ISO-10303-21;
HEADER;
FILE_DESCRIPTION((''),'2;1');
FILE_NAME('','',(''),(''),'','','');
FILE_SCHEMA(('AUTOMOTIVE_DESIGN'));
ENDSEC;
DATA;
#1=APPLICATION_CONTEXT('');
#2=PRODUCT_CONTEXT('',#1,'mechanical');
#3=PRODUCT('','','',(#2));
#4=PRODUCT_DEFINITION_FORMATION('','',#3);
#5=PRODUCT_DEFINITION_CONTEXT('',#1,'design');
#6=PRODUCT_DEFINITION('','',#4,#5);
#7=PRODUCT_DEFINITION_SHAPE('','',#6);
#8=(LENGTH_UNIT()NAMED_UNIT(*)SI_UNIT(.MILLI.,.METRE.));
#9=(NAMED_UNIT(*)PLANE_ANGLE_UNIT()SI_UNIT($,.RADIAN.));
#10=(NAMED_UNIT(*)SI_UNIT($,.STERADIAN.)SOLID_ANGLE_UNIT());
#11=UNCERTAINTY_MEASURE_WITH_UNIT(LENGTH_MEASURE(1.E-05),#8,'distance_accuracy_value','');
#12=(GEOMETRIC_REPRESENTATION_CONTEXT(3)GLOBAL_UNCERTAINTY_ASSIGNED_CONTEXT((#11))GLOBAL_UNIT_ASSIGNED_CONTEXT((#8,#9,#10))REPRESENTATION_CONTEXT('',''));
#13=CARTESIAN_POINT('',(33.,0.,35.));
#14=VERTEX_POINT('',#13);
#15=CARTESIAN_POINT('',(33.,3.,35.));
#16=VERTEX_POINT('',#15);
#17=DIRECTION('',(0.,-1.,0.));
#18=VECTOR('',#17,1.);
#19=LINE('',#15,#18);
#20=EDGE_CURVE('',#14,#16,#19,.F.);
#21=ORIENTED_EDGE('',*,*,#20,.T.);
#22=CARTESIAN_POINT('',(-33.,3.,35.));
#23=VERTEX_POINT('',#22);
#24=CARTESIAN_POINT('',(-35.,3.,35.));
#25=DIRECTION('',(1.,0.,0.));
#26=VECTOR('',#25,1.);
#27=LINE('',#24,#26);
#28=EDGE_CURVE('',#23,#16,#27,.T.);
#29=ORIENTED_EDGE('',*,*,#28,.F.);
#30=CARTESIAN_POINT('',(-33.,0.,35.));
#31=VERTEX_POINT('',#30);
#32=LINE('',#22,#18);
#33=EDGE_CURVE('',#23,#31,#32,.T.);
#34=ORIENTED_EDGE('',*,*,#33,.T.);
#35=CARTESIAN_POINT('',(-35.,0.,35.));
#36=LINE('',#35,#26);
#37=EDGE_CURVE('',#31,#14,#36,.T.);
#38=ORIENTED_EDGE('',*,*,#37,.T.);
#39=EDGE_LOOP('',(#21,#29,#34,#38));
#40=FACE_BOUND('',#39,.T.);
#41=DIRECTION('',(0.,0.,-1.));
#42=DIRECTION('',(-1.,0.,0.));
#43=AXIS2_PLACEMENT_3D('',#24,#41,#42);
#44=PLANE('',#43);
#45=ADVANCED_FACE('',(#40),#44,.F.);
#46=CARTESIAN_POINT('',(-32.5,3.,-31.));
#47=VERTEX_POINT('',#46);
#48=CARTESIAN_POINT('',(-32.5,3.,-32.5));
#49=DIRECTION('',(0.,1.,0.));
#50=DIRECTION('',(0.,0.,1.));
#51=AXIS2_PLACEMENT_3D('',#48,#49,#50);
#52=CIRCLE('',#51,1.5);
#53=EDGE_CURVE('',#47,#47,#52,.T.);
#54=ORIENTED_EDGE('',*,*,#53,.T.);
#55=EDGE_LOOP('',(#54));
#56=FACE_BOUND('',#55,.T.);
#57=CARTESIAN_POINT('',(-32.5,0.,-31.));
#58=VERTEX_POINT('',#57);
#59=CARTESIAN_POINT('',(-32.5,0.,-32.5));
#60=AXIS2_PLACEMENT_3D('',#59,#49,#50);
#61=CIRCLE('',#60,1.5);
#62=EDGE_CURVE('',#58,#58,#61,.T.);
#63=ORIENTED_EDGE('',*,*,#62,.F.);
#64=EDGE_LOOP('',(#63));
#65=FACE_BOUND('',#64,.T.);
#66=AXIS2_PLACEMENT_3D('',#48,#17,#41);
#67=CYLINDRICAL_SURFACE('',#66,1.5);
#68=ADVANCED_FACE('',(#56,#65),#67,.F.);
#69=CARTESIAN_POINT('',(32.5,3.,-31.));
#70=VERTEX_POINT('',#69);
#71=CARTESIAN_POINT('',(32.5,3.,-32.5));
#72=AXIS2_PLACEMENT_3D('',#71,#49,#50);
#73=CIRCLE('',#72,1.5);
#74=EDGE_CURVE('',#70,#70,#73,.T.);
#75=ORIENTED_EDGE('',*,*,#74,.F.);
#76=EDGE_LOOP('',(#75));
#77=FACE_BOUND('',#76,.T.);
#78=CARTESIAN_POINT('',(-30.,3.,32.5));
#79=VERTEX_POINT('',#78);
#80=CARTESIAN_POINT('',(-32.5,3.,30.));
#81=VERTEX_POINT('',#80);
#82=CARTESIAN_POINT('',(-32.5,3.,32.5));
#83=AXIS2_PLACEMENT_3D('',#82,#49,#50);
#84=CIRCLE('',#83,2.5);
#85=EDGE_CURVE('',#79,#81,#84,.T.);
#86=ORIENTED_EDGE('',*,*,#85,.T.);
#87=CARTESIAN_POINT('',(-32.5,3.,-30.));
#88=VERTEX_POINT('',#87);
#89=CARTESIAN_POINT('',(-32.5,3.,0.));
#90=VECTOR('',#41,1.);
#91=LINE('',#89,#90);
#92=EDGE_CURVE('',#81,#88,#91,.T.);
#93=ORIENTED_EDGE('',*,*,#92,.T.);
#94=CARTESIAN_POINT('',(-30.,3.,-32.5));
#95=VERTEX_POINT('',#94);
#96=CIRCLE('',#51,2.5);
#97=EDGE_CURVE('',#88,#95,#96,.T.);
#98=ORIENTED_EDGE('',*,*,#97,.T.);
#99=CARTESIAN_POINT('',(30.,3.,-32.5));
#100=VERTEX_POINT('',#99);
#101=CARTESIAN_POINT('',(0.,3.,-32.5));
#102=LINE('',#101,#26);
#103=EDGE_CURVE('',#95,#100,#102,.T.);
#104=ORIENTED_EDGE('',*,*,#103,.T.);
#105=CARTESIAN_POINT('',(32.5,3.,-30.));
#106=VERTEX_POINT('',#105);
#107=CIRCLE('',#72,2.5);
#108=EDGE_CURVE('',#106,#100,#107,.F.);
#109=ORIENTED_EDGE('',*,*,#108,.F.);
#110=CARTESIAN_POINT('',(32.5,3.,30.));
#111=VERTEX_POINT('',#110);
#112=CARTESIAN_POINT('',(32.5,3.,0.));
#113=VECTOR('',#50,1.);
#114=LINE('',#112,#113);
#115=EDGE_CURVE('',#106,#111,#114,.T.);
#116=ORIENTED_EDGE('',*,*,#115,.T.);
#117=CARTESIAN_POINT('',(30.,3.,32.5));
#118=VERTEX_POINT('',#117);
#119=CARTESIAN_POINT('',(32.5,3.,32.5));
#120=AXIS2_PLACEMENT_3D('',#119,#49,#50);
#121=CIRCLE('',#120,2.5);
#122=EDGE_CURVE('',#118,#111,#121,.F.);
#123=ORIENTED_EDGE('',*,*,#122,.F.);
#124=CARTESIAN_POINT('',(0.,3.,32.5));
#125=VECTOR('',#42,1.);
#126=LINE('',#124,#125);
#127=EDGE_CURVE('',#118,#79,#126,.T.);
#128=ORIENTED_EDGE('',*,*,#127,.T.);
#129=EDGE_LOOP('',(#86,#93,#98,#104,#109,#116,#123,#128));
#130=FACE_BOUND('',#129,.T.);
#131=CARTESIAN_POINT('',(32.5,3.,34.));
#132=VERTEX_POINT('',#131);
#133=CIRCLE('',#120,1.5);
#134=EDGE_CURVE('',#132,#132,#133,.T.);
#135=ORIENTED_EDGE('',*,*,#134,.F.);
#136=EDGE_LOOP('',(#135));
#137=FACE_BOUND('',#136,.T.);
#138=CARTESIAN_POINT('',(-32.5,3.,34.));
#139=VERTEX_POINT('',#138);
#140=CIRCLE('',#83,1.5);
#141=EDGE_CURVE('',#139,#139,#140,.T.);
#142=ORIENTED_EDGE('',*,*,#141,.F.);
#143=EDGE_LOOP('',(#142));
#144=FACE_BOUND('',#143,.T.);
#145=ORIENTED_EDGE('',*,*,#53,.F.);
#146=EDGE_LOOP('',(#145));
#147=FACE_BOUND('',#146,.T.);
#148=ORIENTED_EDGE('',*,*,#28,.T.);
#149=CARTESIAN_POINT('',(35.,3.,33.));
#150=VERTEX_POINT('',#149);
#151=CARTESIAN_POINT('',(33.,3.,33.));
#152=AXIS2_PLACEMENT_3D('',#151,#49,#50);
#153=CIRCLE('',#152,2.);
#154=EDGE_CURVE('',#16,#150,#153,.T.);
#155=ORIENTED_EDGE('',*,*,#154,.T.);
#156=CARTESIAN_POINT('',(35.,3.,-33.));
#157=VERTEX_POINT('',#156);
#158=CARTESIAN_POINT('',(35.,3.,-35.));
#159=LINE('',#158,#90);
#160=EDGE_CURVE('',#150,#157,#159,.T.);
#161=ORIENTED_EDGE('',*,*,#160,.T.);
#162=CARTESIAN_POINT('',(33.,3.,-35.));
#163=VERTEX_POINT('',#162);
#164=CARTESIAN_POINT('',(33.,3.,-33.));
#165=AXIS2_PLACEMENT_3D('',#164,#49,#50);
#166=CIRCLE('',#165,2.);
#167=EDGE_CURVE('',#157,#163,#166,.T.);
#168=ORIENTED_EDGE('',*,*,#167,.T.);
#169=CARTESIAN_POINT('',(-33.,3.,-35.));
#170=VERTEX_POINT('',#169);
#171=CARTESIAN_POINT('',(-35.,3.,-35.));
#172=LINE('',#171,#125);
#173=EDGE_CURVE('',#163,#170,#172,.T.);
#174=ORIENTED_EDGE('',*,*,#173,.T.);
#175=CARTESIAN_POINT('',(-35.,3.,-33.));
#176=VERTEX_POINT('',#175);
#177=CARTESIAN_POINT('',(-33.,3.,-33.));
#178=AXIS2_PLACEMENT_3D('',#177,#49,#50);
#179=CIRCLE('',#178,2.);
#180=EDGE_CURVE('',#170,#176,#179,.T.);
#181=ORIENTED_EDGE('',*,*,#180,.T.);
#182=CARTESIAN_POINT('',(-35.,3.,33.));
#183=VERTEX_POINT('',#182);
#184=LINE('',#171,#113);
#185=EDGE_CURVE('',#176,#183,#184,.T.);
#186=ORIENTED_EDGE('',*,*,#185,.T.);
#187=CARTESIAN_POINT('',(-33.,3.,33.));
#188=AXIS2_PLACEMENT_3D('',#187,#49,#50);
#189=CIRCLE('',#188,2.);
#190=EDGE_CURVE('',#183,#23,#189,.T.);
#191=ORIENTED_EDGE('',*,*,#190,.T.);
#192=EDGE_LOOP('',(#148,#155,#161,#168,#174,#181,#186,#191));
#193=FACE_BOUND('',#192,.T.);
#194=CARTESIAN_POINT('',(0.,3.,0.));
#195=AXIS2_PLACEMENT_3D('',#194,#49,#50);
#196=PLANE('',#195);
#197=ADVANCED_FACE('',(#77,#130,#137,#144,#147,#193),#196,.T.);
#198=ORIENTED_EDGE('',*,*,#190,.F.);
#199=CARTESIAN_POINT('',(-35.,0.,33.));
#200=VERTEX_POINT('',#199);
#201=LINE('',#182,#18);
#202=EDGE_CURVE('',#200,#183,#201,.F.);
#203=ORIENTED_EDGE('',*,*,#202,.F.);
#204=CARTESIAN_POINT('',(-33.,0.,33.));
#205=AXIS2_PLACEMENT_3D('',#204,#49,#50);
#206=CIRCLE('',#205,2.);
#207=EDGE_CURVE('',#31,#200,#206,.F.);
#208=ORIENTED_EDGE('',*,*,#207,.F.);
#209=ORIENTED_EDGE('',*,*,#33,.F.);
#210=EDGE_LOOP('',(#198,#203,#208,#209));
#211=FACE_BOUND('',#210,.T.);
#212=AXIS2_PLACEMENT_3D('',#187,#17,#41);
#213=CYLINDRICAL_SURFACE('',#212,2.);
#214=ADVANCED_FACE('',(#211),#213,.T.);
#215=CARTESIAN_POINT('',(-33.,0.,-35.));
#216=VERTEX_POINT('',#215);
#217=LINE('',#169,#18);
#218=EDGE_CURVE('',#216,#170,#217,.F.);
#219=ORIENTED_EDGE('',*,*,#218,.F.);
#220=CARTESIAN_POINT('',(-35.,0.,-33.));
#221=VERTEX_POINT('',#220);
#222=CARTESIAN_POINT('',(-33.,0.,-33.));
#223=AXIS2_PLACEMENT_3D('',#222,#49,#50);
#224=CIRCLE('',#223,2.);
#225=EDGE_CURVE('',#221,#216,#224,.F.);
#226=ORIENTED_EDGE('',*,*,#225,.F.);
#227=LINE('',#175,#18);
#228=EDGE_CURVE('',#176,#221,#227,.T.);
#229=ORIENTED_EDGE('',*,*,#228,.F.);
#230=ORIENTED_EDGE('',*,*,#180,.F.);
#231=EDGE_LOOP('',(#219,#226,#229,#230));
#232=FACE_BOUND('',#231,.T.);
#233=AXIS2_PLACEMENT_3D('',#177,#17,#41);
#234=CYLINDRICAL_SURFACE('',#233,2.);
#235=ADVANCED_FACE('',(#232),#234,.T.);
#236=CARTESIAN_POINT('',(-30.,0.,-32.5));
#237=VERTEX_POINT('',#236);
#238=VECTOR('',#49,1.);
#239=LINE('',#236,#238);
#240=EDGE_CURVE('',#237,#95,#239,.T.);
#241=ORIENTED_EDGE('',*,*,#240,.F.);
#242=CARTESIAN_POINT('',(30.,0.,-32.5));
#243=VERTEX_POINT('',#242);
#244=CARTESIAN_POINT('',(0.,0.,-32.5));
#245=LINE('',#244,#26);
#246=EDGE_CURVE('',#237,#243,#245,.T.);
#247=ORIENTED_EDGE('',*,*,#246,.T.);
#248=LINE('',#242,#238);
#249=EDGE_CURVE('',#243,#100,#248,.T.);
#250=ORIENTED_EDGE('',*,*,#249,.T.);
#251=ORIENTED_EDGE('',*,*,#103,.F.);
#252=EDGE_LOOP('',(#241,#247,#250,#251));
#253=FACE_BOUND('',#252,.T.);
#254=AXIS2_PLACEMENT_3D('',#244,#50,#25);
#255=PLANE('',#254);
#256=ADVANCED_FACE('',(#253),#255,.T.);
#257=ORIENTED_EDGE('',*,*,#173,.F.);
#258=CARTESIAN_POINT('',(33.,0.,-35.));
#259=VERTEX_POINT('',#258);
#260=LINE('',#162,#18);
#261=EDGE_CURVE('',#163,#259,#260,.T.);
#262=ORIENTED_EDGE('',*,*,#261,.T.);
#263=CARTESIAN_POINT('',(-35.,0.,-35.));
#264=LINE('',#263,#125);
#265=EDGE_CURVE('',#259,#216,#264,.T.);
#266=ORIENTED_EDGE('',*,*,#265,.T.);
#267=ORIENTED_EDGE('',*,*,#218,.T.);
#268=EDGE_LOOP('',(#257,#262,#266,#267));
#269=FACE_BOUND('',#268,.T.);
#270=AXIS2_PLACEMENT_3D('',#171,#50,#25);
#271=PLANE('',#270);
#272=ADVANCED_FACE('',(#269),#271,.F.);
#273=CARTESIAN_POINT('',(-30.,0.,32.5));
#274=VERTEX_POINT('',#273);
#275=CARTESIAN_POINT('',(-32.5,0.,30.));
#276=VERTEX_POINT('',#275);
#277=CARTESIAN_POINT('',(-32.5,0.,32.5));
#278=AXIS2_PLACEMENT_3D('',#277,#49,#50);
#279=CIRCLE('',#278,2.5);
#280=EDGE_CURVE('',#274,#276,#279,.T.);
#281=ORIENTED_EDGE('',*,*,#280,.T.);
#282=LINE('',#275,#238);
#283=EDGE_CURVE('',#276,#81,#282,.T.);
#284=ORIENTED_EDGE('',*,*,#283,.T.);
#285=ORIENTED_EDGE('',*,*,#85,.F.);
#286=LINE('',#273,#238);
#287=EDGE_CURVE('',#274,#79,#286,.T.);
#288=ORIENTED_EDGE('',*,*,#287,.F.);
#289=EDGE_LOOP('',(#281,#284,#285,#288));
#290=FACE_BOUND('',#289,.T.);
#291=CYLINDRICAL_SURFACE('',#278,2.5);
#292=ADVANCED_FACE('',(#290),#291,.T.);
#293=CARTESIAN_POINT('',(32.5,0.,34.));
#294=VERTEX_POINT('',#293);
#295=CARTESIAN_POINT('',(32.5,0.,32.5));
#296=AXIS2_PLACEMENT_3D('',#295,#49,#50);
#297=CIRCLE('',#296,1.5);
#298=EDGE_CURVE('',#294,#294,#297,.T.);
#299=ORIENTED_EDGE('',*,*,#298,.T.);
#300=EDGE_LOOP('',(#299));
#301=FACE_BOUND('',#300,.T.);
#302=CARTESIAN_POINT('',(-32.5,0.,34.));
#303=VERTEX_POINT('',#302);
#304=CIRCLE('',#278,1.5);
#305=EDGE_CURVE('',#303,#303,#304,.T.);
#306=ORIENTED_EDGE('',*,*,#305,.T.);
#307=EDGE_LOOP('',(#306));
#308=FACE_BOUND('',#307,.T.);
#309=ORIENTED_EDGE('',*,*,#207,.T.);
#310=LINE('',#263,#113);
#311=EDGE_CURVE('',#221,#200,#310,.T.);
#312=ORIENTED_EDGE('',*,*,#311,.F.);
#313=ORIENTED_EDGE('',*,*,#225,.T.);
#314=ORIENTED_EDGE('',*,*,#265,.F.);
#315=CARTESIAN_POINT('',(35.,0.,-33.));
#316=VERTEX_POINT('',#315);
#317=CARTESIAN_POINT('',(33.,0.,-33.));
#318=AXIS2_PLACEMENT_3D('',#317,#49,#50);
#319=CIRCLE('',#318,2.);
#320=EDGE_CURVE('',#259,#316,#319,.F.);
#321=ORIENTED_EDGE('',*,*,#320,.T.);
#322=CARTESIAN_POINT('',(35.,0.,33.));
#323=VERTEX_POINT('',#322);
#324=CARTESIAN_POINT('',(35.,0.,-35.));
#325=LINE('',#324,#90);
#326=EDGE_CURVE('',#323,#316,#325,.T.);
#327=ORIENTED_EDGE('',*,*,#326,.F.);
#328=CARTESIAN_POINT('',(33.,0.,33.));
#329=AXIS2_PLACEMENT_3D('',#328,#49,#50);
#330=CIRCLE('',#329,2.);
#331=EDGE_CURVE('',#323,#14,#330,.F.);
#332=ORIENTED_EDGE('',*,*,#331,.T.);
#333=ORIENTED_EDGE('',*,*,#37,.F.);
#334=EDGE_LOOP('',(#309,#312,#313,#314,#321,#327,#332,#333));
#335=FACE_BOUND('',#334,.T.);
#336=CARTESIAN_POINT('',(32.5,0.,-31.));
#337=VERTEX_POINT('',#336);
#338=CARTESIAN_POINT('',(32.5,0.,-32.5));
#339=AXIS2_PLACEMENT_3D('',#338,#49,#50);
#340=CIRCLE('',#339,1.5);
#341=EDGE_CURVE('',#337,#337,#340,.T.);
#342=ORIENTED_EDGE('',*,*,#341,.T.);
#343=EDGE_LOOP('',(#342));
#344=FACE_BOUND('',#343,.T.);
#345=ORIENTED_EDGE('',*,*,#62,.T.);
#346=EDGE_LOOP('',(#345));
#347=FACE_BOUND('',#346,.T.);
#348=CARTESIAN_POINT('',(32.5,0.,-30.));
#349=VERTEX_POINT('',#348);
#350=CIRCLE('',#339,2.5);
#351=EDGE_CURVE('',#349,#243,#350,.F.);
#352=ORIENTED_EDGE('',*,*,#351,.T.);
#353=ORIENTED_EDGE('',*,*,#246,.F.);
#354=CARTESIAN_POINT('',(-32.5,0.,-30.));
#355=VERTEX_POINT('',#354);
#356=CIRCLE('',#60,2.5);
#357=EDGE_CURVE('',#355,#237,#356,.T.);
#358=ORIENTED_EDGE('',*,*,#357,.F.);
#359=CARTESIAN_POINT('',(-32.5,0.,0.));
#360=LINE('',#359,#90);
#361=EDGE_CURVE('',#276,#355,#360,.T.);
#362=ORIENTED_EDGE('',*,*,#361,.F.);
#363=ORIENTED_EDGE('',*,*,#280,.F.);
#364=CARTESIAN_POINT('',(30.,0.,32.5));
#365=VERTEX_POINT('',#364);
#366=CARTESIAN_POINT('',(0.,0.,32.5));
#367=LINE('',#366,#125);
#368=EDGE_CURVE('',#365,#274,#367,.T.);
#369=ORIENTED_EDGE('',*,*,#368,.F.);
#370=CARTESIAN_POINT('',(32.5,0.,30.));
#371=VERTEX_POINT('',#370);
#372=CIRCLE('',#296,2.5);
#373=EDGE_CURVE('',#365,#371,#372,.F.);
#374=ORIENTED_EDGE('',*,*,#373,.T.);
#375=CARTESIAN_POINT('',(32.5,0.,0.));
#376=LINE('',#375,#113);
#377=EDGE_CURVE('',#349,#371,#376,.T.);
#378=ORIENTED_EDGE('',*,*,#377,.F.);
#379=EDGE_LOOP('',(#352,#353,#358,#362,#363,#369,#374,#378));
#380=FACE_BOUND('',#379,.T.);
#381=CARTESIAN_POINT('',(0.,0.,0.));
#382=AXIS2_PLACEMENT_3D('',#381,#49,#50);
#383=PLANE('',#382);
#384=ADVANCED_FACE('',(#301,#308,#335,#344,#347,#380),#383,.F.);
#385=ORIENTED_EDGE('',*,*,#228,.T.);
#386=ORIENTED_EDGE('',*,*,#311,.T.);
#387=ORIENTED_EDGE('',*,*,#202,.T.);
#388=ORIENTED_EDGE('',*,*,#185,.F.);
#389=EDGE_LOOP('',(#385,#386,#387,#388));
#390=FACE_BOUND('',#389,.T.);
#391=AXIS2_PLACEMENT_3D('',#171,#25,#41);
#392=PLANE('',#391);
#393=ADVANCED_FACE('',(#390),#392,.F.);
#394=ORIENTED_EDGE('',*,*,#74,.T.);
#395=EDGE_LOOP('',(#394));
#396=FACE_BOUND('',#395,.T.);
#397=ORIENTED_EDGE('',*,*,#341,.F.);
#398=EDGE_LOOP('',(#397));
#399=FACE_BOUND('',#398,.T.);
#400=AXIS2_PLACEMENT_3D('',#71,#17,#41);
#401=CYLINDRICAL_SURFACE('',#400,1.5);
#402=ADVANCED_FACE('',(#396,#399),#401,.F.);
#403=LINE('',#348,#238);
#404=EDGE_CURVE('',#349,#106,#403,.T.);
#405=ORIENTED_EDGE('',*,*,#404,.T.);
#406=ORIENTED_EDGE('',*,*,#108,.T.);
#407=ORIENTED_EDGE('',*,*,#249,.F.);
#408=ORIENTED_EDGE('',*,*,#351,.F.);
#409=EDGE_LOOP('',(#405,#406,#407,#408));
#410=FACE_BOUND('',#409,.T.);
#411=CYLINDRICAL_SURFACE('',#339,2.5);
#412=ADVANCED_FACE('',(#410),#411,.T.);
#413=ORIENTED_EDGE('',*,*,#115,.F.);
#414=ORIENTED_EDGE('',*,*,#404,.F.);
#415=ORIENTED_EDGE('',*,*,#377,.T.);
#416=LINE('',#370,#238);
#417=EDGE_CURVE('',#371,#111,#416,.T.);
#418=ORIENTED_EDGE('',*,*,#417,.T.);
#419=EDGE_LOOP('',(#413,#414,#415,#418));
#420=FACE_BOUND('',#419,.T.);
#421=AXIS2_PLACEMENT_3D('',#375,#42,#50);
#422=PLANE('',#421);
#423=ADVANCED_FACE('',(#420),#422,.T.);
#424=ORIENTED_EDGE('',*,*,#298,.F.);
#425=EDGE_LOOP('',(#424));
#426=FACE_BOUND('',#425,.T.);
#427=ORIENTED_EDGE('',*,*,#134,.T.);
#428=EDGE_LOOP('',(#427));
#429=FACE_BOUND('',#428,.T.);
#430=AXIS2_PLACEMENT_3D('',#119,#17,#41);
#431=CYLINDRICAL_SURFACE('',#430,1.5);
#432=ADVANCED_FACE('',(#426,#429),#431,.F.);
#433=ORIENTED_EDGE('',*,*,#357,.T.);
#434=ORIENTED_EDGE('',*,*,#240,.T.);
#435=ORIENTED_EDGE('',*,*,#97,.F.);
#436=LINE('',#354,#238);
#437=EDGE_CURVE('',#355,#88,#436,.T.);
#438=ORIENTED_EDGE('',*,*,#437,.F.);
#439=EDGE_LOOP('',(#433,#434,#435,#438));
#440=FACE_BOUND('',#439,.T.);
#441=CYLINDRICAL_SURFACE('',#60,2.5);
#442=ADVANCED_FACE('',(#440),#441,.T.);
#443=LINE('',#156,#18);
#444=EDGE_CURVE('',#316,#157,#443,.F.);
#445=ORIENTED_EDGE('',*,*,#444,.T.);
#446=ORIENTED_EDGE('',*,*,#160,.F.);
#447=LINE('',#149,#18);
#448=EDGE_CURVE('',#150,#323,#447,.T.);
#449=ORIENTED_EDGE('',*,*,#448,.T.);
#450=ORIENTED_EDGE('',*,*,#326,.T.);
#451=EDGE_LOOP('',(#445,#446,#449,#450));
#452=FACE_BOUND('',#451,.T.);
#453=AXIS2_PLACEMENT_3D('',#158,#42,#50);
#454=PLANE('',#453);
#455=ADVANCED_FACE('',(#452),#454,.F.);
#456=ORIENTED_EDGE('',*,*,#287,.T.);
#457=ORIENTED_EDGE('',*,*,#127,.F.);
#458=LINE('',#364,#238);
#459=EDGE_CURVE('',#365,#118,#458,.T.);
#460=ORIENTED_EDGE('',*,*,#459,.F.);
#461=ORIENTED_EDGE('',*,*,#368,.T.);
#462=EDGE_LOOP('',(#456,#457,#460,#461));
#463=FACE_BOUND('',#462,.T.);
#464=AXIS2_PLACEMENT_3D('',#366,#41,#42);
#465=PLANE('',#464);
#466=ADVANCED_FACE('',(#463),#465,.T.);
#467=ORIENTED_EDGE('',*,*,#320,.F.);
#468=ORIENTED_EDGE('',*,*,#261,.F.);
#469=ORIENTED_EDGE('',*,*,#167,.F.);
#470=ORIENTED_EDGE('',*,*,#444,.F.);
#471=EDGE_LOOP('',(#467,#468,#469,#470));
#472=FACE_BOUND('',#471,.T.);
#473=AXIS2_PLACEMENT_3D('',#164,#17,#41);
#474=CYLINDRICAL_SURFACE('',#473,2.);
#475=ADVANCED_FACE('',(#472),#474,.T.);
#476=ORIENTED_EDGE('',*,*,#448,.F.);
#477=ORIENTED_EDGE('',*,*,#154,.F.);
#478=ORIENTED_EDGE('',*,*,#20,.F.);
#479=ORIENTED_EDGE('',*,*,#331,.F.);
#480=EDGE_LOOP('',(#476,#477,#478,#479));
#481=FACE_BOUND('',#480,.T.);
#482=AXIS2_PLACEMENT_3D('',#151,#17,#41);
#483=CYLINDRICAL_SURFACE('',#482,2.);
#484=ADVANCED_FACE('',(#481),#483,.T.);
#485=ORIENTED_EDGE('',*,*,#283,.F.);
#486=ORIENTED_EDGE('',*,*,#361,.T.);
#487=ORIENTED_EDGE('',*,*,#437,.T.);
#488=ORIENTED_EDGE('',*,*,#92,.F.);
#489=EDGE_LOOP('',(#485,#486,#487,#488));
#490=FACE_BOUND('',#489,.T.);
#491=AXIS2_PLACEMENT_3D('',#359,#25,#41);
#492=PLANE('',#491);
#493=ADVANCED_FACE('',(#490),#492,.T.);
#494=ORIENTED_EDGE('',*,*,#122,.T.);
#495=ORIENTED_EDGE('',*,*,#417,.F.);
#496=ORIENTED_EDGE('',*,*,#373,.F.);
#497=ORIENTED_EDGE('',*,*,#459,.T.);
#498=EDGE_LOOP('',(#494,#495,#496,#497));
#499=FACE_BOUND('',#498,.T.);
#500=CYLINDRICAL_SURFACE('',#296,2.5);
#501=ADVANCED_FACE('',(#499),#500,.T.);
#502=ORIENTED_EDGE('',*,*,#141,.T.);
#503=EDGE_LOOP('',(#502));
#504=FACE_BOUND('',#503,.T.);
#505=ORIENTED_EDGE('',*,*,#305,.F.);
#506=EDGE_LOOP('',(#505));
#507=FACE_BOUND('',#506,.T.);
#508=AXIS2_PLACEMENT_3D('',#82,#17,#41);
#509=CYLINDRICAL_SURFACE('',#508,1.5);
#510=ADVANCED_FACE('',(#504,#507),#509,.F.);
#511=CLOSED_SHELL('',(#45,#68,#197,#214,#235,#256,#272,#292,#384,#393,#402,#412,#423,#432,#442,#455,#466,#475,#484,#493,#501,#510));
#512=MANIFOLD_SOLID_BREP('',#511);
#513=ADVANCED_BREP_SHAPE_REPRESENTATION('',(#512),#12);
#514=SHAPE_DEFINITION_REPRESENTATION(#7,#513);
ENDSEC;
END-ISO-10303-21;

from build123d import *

# Parameters (mm, degrees)
SKETCH1_W           = 70
SKETCH1_H           = 70
SKETCH1_R           = 1.5
BOSS_EXTRUDE1_DEPTH = 3
FILLET1_R           = 2
CUT_EXTRUDE1_DEPTH  = 4


with BuildPart() as part:
    # Sketch1 → Boss-Extrude1 (new body)
    with BuildSketch(Plane(origin=(0, 0, 0), x_dir=(1, 0, 0), z_dir=(0, 1, 0))):
        Rectangle(SKETCH1_W, SKETCH1_H)
        with Locations((-32.5, 32.5)):
            Circle(SKETCH1_R, mode=Mode.SUBTRACT)
        with Locations((32.5, 32.5)):
            Circle(SKETCH1_R, mode=Mode.SUBTRACT)
        with Locations((32.5, -32.5)):
            Circle(SKETCH1_R, mode=Mode.SUBTRACT)
        with Locations((-32.5, -32.5)):
            Circle(SKETCH1_R, mode=Mode.SUBTRACT)
    extrude(amount=BOSS_EXTRUDE1_DEPTH)

    # Fillet1
    fillet1_edges = [part.edges().sort_by_distance(p)[0] for p in [
        (35, 1.5, 35),
        (-35, 1.5, 35),
        (-35, 1.5, -35),
        (35, 1.5, -35),
    ]]
    fillet(fillet1_edges, radius=FILLET1_R)

    # Sketch2 → Cut-Extrude1 (cut, through all)
    with BuildSketch(Plane(origin=(0, 3, 0), x_dir=(1, 0, 0), z_dir=(0, 1, 0))):
        with BuildLine():
            Line((30, -32.5), (-30, -32.5))
            ThreePointArc((-30, -32.5), (-30.732233047, -30.732233047), (-32.5, -30))
            Line((-32.5, -30), (-32.5, 30))
            ThreePointArc((-32.5, 30), (-30.732233047, 30.732233047), (-30, 32.5))
            Line((-30, 32.5), (30, 32.5))
            ThreePointArc((30, 32.5), (30.732233047, 30.732233047), (32.5, 30))
            Line((32.5, 30), (32.5, -30))
            ThreePointArc((32.5, -30), (30.732233047, -30.732233047), (30, -32.5))
        make_face()
    extrude(amount=-CUT_EXTRUDE1_DEPTH, mode=Mode.SUBTRACT)


solid = part.part
